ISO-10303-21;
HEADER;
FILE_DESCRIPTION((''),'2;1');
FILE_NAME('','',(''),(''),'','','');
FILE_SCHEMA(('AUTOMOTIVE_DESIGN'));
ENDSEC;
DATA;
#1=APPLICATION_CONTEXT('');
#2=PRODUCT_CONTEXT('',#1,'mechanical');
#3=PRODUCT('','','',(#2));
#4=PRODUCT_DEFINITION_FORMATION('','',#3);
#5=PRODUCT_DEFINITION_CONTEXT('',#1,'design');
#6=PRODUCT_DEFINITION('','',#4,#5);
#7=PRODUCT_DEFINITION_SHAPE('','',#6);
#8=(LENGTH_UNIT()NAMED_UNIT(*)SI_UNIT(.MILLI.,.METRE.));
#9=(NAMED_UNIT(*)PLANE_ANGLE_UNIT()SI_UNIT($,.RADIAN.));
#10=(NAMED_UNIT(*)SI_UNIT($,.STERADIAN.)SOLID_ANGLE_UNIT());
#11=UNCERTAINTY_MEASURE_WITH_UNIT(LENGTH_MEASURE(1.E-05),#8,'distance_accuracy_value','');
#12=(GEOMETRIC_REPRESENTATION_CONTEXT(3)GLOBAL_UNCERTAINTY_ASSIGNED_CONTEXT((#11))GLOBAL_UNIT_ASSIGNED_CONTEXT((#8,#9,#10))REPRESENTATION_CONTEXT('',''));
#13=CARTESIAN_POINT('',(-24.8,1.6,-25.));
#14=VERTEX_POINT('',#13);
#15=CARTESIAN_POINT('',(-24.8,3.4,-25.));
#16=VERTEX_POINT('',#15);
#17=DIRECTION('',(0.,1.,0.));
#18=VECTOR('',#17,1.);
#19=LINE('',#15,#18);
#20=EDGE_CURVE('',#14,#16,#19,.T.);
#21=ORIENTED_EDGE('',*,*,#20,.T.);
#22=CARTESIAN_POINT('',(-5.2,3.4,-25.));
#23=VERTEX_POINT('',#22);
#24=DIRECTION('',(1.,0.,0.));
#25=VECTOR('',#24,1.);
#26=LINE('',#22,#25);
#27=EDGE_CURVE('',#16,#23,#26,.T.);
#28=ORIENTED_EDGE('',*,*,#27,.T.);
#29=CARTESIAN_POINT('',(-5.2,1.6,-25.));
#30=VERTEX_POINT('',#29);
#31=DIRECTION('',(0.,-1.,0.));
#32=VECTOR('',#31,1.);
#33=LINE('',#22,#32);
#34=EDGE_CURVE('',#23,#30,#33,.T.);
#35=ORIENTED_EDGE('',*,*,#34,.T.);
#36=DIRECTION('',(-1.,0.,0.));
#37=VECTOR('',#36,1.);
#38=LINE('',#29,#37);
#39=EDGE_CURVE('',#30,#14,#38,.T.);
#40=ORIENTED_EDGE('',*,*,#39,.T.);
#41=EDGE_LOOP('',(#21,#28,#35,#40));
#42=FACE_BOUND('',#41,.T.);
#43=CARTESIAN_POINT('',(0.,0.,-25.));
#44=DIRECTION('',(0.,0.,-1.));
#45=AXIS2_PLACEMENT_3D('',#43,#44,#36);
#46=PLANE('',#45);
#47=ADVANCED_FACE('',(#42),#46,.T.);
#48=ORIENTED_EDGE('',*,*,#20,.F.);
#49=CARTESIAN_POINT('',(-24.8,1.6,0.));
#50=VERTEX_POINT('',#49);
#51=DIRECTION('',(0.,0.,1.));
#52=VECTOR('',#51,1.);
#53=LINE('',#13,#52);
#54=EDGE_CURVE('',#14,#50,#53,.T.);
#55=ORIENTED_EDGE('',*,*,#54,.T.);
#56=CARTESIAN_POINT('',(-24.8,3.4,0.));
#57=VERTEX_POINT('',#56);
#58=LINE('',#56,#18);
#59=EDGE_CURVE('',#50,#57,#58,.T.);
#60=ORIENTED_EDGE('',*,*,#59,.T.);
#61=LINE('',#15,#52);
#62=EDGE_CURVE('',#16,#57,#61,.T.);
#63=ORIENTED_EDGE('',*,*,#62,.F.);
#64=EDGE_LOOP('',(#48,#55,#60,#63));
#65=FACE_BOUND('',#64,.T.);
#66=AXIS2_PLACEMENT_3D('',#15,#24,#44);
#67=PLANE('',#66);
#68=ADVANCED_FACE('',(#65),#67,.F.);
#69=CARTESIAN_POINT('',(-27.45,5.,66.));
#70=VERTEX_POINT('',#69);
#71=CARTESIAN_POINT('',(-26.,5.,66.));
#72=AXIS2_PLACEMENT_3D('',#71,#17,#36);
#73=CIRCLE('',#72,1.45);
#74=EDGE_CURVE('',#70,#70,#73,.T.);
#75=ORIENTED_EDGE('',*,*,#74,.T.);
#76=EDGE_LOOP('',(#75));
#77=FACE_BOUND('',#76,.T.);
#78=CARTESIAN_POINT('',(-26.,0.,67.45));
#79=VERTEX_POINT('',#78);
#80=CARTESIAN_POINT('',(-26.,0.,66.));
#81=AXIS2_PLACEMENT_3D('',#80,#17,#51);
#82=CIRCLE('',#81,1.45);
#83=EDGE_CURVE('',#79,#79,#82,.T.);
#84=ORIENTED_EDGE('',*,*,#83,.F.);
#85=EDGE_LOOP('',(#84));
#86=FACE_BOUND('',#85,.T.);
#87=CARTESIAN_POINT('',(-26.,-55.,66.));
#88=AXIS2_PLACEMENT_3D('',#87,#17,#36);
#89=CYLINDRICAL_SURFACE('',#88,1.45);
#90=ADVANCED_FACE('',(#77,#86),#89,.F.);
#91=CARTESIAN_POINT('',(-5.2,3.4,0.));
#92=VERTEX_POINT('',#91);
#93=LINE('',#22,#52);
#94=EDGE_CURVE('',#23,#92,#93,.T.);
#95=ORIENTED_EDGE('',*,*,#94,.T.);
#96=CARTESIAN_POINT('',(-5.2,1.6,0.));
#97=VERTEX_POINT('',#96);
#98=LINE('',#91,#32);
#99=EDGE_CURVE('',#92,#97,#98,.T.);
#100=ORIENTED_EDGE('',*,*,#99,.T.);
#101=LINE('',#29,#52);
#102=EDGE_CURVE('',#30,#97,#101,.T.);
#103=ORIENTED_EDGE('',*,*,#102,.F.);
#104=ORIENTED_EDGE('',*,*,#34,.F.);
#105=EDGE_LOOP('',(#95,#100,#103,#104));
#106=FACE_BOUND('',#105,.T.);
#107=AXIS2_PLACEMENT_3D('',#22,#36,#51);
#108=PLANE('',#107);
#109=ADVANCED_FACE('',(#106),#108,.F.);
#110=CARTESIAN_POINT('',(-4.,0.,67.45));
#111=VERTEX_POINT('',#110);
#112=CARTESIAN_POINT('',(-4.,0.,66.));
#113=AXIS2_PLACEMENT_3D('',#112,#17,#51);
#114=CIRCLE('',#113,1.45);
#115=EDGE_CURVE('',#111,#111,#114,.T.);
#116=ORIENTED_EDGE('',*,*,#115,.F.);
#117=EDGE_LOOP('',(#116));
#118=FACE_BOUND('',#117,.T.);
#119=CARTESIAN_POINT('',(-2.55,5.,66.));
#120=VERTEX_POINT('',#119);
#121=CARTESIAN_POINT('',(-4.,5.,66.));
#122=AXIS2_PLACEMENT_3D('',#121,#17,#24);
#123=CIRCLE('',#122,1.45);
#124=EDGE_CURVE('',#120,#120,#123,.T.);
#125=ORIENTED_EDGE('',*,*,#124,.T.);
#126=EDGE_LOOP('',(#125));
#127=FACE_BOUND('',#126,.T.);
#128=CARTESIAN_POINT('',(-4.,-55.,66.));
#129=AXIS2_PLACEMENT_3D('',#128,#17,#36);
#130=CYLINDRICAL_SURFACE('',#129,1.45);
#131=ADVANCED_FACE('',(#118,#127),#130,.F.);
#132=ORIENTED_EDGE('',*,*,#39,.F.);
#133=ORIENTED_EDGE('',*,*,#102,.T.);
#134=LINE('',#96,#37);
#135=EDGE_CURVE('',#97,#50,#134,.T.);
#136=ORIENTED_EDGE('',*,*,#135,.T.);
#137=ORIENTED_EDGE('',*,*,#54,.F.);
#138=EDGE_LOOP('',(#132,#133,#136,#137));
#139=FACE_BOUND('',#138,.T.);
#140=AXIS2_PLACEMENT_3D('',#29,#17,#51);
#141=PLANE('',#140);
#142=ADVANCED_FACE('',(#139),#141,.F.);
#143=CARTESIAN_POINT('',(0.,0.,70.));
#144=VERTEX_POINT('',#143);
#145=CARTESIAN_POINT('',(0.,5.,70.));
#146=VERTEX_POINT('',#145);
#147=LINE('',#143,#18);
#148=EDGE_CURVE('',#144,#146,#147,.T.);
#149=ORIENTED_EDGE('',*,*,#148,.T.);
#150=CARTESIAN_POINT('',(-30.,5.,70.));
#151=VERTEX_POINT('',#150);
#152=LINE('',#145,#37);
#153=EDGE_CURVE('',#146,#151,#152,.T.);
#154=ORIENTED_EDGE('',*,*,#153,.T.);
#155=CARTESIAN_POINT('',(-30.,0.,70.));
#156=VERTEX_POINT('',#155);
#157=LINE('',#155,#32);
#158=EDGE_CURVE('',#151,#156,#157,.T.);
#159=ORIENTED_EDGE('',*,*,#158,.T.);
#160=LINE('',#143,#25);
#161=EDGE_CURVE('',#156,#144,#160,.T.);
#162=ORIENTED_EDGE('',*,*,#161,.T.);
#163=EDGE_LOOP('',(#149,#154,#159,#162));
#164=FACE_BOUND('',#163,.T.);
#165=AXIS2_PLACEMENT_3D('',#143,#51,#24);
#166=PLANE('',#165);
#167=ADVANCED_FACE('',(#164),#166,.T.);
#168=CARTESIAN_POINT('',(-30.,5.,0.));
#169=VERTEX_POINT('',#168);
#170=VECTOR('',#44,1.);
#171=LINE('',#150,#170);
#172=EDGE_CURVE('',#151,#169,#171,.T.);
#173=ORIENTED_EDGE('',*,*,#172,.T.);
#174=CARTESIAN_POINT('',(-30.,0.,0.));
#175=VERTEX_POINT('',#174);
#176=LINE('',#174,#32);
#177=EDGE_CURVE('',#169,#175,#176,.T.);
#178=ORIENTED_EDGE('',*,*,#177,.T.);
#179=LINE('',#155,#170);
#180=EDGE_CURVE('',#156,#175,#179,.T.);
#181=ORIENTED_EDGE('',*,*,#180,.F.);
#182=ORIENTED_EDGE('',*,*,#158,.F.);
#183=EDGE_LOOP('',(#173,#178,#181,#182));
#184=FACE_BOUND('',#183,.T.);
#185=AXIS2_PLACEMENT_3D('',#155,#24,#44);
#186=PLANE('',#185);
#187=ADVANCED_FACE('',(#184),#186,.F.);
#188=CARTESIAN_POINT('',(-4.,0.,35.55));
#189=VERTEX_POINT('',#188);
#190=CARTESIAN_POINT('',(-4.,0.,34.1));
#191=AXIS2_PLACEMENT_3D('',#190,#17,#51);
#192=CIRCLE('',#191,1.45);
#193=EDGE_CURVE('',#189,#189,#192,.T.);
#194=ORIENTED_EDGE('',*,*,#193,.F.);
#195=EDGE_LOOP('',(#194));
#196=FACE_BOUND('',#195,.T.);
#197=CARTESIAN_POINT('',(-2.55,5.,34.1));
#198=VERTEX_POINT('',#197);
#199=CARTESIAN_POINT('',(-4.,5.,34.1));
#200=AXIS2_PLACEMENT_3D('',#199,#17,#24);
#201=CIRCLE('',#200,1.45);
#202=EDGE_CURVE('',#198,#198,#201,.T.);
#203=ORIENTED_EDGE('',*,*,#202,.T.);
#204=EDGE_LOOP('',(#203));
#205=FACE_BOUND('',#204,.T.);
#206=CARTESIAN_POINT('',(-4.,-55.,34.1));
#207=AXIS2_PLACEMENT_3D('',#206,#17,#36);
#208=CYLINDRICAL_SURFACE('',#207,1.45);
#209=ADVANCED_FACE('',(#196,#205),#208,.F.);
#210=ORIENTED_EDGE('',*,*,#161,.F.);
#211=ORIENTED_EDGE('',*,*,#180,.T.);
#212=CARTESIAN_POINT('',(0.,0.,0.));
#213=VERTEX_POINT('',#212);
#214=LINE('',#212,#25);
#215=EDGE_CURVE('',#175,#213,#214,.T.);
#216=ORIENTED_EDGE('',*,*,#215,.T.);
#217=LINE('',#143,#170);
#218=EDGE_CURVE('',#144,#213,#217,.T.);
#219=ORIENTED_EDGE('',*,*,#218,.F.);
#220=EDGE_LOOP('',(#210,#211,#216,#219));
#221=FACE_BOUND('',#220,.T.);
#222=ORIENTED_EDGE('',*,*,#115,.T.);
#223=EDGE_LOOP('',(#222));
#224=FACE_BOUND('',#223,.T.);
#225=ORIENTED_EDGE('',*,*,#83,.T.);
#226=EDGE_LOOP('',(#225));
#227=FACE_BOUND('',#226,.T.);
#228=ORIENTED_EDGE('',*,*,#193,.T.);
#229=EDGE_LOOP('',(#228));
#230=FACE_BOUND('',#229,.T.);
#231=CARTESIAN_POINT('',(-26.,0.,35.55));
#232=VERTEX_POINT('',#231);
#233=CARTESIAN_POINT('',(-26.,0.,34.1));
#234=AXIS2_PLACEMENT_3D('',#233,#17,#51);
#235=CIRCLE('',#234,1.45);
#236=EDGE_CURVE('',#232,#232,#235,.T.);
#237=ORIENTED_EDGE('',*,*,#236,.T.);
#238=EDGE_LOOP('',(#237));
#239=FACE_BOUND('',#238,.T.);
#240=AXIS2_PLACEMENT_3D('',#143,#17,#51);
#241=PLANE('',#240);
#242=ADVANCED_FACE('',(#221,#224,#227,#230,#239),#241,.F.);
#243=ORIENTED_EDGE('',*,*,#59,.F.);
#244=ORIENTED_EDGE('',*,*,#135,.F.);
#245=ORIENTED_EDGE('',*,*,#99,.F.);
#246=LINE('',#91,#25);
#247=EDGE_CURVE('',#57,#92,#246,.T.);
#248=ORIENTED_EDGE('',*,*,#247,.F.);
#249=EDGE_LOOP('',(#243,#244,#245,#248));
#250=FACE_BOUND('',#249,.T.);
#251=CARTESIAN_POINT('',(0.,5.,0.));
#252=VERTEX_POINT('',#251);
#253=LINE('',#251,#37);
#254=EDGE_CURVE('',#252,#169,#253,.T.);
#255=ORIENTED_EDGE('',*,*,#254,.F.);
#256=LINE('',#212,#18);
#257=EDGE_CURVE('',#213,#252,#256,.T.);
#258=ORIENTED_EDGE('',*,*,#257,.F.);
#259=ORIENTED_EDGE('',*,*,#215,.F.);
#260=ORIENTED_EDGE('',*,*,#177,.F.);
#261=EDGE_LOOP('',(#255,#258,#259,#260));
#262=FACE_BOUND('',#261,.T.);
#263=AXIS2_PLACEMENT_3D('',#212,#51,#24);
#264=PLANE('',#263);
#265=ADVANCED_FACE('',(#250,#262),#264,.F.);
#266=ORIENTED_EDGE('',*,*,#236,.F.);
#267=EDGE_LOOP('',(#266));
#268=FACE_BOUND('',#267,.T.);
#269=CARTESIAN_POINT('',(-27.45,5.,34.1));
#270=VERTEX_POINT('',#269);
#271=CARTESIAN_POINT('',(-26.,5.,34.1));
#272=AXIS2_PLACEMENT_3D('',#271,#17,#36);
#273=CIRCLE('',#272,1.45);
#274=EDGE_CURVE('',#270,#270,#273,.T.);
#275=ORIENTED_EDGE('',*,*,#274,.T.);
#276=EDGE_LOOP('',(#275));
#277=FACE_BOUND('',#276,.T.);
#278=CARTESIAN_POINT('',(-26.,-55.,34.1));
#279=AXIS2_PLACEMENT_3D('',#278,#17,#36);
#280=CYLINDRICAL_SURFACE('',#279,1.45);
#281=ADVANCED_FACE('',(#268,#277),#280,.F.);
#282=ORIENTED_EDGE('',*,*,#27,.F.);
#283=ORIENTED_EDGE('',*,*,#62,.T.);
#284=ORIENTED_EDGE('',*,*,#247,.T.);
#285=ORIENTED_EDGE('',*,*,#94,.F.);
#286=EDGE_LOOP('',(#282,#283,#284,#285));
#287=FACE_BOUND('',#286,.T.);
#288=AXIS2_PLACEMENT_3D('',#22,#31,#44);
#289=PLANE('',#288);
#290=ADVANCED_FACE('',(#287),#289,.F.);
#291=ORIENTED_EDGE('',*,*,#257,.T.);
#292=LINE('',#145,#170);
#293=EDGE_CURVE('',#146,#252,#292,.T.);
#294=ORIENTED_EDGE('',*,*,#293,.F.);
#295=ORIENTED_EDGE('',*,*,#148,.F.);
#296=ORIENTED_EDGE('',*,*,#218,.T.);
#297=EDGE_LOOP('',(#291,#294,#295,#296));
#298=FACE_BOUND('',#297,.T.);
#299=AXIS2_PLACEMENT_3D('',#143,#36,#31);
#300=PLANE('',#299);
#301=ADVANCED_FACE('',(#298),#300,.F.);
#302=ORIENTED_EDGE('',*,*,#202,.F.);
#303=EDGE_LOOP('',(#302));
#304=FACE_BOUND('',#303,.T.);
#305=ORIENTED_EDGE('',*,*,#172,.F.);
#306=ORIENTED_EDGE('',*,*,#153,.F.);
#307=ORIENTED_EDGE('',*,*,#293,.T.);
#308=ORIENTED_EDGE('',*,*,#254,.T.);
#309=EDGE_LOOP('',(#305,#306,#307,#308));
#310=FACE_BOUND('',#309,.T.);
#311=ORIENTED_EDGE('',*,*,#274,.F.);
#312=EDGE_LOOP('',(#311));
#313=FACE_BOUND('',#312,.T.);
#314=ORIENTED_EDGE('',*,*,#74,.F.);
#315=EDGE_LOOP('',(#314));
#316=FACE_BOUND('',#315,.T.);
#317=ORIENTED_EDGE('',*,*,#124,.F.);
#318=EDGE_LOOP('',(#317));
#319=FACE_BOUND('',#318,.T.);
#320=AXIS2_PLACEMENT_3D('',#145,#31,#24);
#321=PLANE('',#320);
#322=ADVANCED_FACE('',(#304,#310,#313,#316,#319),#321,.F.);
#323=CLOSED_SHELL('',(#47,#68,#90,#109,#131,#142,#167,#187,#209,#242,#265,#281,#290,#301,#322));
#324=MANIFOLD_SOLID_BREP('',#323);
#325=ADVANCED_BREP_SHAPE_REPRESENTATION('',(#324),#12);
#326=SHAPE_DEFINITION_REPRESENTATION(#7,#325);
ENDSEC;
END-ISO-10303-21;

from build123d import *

# Parameters (mm, degrees)
SKETCH_1_W          = 30
SKETCH_1_H          = 5
EXTRUDE_1_DEPTH     = 70
SKETCH_2_R          = 1.45
CUT_EXTRUDE_1_DEPTH = 60
SKETCH_4_W          = 19.6
SKETCH_4_H          = 1.8
EXTRUDE_2_DEPTH     = 25


with BuildPart() as part:
    # 草图1 → 凸台-拉伸1 (new body)
    with BuildSketch(Plane.XY):
        with Locations((-15, 2.5)):
            Rectangle(SKETCH_1_W, SKETCH_1_H)
    extrude(amount=EXTRUDE_1_DEPTH)

    # 草图2 → 切除-拉伸1 (cut)
    with BuildSketch(Plane(origin=(0, 5, 0), x_dir=(1, 0, 0), z_dir=(0, 1, 0))):
        with Locations(Location((-26, -66, 0), (0, 0, 180))):
            Circle(SKETCH_2_R)
        with Locations(Location((-26, -34.1, 0), (0, 0, 180))):
            Circle(SKETCH_2_R)
        with Locations(Location((-4, -66, 0), (0, 0, 270))):
            Circle(SKETCH_2_R)
        with Locations(Location((-4, -34.1, 0), (0, 0, 270))):
            Circle(SKETCH_2_R)
    extrude(amount=-CUT_EXTRUDE_1_DEPTH, mode=Mode.SUBTRACT)

    # 草图4 → 凸台-拉伸2 (add)
    with BuildSketch(Plane(origin=(0, 0, 0), x_dir=(-1, 0, 0), z_dir=(0, 0, -1))):
        with Locations((15, 2.5)):
            Rectangle(SKETCH_4_W, SKETCH_4_H)
    extrude(amount=EXTRUDE_2_DEPTH)


solid = part.part
